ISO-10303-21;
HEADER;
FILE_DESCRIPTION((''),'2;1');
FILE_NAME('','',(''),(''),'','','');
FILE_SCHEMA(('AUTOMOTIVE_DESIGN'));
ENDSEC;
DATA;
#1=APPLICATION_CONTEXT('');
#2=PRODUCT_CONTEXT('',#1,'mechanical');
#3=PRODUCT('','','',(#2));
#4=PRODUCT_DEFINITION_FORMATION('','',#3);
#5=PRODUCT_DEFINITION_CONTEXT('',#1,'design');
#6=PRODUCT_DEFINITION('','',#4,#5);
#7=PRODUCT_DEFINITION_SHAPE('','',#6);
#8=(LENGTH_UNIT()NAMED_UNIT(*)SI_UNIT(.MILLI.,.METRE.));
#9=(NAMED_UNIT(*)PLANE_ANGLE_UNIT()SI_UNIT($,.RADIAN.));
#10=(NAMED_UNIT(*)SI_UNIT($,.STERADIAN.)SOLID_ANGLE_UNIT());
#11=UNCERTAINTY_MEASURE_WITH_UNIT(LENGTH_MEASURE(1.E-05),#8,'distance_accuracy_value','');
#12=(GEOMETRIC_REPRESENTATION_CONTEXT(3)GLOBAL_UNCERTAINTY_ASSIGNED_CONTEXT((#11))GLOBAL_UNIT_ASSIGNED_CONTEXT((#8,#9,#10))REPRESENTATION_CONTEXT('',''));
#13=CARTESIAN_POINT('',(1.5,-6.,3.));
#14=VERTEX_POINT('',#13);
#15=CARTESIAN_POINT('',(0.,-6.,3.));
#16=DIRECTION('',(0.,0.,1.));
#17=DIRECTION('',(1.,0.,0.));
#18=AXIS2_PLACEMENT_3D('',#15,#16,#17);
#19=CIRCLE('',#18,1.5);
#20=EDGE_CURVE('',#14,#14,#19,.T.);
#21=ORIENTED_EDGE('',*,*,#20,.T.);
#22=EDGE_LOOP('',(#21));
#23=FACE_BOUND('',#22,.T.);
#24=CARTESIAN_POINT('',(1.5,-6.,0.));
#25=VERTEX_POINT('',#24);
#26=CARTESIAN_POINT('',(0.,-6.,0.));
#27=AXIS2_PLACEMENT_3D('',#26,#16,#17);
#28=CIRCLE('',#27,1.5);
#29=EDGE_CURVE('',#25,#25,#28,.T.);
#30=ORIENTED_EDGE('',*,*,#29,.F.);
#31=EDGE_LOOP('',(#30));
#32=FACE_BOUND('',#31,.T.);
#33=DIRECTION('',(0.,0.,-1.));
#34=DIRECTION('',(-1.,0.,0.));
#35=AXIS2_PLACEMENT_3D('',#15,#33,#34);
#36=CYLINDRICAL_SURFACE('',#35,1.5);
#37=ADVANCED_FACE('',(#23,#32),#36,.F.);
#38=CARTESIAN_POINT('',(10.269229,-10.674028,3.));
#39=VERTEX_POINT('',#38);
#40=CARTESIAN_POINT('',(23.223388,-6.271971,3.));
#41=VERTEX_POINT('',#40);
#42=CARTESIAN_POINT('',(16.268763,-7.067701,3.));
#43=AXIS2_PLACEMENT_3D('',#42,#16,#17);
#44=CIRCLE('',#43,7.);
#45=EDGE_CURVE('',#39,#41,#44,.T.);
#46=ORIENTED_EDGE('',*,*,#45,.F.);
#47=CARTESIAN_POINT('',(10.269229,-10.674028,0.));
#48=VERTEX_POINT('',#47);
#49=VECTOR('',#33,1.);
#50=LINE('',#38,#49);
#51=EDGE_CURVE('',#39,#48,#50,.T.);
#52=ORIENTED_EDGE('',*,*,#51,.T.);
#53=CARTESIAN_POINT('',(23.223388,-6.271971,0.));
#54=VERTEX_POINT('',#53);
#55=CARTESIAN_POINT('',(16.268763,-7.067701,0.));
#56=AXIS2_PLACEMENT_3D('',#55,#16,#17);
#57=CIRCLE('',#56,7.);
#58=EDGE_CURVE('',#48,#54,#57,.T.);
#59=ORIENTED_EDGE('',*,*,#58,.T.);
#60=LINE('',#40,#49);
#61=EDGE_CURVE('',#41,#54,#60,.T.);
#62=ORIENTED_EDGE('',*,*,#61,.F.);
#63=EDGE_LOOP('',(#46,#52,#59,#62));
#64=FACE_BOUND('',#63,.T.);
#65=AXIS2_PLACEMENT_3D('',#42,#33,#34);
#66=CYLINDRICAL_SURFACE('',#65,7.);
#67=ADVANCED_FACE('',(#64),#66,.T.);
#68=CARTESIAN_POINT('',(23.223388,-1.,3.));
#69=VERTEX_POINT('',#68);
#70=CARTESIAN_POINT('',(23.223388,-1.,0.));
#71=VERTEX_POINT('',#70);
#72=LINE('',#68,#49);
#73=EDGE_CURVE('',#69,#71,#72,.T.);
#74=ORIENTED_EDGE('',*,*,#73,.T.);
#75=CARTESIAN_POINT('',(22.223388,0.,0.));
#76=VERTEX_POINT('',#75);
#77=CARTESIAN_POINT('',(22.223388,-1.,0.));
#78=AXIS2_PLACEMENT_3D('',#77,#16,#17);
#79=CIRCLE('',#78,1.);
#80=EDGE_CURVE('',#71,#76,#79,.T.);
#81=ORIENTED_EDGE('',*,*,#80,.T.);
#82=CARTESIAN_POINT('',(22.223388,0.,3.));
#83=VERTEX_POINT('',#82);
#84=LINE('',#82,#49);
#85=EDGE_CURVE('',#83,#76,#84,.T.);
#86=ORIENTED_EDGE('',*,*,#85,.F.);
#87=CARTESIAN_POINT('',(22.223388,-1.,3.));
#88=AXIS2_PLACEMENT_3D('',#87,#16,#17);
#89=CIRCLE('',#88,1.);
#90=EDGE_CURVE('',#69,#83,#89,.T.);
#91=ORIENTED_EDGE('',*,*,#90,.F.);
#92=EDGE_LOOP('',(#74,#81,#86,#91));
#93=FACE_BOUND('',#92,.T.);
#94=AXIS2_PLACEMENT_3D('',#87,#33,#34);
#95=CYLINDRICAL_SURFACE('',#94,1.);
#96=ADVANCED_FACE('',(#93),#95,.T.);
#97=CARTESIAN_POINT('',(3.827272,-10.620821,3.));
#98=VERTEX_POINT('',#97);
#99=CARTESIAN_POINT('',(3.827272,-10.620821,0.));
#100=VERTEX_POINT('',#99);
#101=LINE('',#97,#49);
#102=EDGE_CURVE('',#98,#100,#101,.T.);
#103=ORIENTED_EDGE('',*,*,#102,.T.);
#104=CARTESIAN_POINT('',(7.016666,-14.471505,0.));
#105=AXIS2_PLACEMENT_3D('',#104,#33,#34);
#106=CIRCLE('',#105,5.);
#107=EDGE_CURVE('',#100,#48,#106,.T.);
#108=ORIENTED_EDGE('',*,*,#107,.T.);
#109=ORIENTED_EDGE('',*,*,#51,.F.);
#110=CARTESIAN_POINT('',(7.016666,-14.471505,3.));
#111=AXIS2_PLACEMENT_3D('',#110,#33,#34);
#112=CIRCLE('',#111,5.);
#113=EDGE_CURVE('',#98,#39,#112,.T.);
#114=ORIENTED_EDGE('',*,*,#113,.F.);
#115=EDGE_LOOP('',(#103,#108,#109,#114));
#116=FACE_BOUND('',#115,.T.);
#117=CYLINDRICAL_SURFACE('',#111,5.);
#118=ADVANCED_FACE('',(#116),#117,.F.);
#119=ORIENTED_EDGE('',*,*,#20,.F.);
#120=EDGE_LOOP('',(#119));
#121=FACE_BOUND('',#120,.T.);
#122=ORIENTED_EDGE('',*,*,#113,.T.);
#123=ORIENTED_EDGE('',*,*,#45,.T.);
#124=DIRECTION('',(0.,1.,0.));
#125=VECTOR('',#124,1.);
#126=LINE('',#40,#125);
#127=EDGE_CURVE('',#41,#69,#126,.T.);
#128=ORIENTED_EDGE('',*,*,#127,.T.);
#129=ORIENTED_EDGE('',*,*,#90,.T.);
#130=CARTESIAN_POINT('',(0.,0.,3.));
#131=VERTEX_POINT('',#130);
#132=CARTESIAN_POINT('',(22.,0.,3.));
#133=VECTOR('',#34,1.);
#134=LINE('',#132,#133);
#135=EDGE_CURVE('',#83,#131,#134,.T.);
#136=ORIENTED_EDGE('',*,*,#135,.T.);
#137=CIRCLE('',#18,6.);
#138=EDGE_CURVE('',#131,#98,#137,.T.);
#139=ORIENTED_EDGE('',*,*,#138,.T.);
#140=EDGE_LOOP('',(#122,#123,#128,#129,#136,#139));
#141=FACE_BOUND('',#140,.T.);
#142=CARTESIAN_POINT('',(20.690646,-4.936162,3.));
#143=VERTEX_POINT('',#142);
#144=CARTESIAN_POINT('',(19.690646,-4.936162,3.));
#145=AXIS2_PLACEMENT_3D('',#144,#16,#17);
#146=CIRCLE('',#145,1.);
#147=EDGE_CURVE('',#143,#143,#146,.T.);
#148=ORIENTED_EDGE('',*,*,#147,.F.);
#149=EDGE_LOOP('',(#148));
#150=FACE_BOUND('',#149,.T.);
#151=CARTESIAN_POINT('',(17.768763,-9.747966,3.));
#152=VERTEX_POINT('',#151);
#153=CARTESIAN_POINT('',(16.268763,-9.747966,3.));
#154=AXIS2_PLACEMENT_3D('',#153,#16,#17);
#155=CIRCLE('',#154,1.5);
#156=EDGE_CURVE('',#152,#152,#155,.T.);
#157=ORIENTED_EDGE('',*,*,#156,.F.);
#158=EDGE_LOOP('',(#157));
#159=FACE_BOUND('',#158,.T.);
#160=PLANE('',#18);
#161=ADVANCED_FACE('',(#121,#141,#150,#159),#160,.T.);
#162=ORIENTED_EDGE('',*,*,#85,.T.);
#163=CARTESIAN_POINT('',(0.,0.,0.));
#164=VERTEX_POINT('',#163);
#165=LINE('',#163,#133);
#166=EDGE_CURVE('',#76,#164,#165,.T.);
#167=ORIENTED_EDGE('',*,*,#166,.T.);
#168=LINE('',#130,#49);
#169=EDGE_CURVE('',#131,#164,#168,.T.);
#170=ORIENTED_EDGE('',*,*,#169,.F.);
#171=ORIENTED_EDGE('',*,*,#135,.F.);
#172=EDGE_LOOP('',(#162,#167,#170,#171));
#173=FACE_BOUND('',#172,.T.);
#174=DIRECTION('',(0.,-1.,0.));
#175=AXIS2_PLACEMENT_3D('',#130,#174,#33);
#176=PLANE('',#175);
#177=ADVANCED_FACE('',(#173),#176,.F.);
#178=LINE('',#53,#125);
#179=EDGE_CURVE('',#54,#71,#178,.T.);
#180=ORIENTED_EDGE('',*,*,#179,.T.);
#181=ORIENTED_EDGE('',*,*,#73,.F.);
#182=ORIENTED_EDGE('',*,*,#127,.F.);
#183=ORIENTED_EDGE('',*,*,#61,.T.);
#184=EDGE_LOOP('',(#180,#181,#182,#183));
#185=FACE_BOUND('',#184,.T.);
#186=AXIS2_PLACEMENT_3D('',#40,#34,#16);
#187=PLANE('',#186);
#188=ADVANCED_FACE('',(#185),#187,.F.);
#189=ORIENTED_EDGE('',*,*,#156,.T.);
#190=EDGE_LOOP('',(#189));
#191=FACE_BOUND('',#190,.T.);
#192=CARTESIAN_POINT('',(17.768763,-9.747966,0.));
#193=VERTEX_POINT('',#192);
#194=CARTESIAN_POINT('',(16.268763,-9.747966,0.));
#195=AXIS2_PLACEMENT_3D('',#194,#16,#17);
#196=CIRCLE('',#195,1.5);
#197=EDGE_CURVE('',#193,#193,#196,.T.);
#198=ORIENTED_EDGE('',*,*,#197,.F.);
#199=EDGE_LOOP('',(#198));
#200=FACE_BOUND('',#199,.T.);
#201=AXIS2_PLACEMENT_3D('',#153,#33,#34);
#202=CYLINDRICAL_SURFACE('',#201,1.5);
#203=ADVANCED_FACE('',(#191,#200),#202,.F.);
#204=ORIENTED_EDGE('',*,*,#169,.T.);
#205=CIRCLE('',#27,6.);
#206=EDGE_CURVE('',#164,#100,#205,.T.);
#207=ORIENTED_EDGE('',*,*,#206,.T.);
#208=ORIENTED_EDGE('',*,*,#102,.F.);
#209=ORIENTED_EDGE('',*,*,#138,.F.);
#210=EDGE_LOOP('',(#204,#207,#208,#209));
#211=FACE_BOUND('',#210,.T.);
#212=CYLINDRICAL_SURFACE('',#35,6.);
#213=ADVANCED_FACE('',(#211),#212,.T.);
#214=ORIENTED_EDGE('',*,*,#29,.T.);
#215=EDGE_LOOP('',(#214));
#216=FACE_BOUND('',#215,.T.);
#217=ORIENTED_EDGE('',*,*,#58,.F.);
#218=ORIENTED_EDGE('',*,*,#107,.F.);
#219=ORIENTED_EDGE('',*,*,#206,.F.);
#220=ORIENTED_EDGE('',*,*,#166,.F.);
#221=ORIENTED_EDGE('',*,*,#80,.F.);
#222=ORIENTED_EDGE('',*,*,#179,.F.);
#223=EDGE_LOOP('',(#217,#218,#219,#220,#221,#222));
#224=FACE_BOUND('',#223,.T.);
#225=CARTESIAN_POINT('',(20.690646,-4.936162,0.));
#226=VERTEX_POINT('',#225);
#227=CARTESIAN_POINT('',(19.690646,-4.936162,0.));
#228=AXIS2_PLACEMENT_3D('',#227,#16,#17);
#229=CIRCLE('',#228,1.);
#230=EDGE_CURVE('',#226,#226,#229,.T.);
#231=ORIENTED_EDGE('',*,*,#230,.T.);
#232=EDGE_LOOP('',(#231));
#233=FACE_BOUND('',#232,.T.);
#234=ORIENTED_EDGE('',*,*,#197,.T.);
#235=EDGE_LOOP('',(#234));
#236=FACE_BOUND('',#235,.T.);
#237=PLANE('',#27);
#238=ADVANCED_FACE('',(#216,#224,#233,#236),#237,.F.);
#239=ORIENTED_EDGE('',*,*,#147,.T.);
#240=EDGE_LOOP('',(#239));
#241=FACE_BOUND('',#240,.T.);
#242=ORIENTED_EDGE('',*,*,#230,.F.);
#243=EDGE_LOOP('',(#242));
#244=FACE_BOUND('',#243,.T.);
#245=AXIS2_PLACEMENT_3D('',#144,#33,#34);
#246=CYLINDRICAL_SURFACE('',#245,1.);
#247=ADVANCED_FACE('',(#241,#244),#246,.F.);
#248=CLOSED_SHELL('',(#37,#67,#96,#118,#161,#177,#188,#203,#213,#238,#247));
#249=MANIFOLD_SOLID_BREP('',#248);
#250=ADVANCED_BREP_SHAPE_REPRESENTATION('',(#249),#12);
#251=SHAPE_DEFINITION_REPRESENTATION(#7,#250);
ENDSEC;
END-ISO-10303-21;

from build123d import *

# Parameters (mm, degrees)
SKETCH1_R           = 1.5
SKETCH1_R_2         = 1
BOSS_EXTRUDE1_DEPTH = 3


with BuildPart() as part:
    # Sketch1 → Boss-Extrude1 (new body)
    with BuildSketch(Plane.XY):
        with BuildLine():
            Line((0, 0), (22, 0))
            Line((22, 0), (22.223388106, 0))
            ThreePointArc((22.223388106, 0), (22.930494887, -0.292893219), (23.223388106, -1))
            Line((23.223388106, -1), (23.223388106, -6.271970615))
            ThreePointArc((23.223388106, -6.271970615), (18.521001308, -13.695477275), (10.2692294, -10.674028436))
            ThreePointArc((10.2692294, -10.674028436), (7.057961936, -9.471675777), (3.827272257, -10.620821039))
            ThreePointArc((3.827272257, -10.620821039), (-5.644684501, -8.034093627), (0, 0))
        make_face()
        with Locations((0, -6)):
            Circle(SKETCH1_R, mode=Mode.SUBTRACT)
        with Locations((19.690645816, -4.936162338)):
            Circle(SKETCH1_R_2, mode=Mode.SUBTRACT)
        with Locations((16.268762771, -9.747966239)):
            Circle(SKETCH1_R, mode=Mode.SUBTRACT)
    extrude(amount=BOSS_EXTRUDE1_DEPTH)


solid = part.part
